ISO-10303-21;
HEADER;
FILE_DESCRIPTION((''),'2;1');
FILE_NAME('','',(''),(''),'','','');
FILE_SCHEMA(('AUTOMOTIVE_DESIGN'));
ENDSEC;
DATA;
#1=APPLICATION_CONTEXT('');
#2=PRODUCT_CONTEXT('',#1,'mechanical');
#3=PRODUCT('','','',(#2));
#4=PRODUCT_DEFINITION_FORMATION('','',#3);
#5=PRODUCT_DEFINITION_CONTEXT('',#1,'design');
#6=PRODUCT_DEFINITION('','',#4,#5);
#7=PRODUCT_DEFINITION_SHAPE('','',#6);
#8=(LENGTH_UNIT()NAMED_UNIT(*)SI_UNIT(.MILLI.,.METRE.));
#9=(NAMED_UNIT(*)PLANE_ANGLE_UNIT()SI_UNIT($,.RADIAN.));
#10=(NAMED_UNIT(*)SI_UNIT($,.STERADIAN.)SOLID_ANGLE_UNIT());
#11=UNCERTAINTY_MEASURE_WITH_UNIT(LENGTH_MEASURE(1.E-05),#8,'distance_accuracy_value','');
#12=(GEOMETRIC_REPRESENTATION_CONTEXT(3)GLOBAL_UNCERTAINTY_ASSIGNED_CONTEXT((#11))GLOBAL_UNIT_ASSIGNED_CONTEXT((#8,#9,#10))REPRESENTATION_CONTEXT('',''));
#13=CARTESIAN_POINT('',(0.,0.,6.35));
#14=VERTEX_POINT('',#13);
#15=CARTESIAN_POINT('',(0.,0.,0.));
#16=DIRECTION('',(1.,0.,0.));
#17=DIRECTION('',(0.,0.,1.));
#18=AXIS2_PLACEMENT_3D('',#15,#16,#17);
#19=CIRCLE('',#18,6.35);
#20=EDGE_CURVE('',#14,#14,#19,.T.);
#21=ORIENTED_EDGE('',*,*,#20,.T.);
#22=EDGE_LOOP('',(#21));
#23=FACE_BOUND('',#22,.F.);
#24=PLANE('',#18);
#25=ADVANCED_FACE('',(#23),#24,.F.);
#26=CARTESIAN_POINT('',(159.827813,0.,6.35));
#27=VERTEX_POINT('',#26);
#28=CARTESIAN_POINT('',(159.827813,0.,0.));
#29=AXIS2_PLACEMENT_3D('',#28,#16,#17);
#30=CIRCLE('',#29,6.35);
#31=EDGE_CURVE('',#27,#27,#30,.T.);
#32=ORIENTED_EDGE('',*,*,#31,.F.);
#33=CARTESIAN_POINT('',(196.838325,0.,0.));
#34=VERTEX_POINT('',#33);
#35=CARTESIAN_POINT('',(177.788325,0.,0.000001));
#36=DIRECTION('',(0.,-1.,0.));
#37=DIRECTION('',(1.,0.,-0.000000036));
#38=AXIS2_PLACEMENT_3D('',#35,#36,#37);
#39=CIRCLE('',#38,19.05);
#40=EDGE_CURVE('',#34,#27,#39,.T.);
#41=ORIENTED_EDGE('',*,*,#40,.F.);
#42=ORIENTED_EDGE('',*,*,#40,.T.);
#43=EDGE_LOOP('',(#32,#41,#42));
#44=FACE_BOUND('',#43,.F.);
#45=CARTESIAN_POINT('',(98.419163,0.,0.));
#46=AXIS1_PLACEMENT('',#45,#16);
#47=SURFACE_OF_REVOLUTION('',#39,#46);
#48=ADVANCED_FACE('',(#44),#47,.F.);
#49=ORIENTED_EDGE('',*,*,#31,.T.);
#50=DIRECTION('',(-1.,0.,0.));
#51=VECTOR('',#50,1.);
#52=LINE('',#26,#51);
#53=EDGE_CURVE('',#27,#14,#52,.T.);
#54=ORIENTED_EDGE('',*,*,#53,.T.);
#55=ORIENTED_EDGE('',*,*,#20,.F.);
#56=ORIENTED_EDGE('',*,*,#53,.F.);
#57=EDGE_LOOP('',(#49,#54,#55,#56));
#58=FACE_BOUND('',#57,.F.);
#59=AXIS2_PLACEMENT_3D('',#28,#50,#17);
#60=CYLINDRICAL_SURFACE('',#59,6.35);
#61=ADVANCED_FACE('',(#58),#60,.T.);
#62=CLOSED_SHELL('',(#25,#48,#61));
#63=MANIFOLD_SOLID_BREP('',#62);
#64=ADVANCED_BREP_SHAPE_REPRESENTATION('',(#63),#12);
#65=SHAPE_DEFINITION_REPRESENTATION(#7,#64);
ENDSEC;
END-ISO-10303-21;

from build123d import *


with BuildPart() as f1:
    # F0 (on Front) → F1 (revolve)
    with BuildSketch(Plane.XZ):
        with BuildLine():
            ThreePointArc((159.827813, 6.35), (159.012673, 3.221393), (158.738325, 0))
            Line((158.738325, 0), (196.838325, 0))
            ThreePointArc((196.838325, 0), (181.009718, 18.775653), (159.827813, 6.35))
        make_face()
        with BuildLine():
            Line((0, 6.35), (0, 0))
            Line((0, 0), (158.738325, 0))
            ThreePointArc((158.738325, 0), (159.012673, 3.221393), (159.827813, 6.35))
            Line((159.827813, 6.35), (0, 6.35))
        make_face()
    revolve(axis=Axis((98.419163, 0, 0), (1, 0, 0)))


solid = f1.part
